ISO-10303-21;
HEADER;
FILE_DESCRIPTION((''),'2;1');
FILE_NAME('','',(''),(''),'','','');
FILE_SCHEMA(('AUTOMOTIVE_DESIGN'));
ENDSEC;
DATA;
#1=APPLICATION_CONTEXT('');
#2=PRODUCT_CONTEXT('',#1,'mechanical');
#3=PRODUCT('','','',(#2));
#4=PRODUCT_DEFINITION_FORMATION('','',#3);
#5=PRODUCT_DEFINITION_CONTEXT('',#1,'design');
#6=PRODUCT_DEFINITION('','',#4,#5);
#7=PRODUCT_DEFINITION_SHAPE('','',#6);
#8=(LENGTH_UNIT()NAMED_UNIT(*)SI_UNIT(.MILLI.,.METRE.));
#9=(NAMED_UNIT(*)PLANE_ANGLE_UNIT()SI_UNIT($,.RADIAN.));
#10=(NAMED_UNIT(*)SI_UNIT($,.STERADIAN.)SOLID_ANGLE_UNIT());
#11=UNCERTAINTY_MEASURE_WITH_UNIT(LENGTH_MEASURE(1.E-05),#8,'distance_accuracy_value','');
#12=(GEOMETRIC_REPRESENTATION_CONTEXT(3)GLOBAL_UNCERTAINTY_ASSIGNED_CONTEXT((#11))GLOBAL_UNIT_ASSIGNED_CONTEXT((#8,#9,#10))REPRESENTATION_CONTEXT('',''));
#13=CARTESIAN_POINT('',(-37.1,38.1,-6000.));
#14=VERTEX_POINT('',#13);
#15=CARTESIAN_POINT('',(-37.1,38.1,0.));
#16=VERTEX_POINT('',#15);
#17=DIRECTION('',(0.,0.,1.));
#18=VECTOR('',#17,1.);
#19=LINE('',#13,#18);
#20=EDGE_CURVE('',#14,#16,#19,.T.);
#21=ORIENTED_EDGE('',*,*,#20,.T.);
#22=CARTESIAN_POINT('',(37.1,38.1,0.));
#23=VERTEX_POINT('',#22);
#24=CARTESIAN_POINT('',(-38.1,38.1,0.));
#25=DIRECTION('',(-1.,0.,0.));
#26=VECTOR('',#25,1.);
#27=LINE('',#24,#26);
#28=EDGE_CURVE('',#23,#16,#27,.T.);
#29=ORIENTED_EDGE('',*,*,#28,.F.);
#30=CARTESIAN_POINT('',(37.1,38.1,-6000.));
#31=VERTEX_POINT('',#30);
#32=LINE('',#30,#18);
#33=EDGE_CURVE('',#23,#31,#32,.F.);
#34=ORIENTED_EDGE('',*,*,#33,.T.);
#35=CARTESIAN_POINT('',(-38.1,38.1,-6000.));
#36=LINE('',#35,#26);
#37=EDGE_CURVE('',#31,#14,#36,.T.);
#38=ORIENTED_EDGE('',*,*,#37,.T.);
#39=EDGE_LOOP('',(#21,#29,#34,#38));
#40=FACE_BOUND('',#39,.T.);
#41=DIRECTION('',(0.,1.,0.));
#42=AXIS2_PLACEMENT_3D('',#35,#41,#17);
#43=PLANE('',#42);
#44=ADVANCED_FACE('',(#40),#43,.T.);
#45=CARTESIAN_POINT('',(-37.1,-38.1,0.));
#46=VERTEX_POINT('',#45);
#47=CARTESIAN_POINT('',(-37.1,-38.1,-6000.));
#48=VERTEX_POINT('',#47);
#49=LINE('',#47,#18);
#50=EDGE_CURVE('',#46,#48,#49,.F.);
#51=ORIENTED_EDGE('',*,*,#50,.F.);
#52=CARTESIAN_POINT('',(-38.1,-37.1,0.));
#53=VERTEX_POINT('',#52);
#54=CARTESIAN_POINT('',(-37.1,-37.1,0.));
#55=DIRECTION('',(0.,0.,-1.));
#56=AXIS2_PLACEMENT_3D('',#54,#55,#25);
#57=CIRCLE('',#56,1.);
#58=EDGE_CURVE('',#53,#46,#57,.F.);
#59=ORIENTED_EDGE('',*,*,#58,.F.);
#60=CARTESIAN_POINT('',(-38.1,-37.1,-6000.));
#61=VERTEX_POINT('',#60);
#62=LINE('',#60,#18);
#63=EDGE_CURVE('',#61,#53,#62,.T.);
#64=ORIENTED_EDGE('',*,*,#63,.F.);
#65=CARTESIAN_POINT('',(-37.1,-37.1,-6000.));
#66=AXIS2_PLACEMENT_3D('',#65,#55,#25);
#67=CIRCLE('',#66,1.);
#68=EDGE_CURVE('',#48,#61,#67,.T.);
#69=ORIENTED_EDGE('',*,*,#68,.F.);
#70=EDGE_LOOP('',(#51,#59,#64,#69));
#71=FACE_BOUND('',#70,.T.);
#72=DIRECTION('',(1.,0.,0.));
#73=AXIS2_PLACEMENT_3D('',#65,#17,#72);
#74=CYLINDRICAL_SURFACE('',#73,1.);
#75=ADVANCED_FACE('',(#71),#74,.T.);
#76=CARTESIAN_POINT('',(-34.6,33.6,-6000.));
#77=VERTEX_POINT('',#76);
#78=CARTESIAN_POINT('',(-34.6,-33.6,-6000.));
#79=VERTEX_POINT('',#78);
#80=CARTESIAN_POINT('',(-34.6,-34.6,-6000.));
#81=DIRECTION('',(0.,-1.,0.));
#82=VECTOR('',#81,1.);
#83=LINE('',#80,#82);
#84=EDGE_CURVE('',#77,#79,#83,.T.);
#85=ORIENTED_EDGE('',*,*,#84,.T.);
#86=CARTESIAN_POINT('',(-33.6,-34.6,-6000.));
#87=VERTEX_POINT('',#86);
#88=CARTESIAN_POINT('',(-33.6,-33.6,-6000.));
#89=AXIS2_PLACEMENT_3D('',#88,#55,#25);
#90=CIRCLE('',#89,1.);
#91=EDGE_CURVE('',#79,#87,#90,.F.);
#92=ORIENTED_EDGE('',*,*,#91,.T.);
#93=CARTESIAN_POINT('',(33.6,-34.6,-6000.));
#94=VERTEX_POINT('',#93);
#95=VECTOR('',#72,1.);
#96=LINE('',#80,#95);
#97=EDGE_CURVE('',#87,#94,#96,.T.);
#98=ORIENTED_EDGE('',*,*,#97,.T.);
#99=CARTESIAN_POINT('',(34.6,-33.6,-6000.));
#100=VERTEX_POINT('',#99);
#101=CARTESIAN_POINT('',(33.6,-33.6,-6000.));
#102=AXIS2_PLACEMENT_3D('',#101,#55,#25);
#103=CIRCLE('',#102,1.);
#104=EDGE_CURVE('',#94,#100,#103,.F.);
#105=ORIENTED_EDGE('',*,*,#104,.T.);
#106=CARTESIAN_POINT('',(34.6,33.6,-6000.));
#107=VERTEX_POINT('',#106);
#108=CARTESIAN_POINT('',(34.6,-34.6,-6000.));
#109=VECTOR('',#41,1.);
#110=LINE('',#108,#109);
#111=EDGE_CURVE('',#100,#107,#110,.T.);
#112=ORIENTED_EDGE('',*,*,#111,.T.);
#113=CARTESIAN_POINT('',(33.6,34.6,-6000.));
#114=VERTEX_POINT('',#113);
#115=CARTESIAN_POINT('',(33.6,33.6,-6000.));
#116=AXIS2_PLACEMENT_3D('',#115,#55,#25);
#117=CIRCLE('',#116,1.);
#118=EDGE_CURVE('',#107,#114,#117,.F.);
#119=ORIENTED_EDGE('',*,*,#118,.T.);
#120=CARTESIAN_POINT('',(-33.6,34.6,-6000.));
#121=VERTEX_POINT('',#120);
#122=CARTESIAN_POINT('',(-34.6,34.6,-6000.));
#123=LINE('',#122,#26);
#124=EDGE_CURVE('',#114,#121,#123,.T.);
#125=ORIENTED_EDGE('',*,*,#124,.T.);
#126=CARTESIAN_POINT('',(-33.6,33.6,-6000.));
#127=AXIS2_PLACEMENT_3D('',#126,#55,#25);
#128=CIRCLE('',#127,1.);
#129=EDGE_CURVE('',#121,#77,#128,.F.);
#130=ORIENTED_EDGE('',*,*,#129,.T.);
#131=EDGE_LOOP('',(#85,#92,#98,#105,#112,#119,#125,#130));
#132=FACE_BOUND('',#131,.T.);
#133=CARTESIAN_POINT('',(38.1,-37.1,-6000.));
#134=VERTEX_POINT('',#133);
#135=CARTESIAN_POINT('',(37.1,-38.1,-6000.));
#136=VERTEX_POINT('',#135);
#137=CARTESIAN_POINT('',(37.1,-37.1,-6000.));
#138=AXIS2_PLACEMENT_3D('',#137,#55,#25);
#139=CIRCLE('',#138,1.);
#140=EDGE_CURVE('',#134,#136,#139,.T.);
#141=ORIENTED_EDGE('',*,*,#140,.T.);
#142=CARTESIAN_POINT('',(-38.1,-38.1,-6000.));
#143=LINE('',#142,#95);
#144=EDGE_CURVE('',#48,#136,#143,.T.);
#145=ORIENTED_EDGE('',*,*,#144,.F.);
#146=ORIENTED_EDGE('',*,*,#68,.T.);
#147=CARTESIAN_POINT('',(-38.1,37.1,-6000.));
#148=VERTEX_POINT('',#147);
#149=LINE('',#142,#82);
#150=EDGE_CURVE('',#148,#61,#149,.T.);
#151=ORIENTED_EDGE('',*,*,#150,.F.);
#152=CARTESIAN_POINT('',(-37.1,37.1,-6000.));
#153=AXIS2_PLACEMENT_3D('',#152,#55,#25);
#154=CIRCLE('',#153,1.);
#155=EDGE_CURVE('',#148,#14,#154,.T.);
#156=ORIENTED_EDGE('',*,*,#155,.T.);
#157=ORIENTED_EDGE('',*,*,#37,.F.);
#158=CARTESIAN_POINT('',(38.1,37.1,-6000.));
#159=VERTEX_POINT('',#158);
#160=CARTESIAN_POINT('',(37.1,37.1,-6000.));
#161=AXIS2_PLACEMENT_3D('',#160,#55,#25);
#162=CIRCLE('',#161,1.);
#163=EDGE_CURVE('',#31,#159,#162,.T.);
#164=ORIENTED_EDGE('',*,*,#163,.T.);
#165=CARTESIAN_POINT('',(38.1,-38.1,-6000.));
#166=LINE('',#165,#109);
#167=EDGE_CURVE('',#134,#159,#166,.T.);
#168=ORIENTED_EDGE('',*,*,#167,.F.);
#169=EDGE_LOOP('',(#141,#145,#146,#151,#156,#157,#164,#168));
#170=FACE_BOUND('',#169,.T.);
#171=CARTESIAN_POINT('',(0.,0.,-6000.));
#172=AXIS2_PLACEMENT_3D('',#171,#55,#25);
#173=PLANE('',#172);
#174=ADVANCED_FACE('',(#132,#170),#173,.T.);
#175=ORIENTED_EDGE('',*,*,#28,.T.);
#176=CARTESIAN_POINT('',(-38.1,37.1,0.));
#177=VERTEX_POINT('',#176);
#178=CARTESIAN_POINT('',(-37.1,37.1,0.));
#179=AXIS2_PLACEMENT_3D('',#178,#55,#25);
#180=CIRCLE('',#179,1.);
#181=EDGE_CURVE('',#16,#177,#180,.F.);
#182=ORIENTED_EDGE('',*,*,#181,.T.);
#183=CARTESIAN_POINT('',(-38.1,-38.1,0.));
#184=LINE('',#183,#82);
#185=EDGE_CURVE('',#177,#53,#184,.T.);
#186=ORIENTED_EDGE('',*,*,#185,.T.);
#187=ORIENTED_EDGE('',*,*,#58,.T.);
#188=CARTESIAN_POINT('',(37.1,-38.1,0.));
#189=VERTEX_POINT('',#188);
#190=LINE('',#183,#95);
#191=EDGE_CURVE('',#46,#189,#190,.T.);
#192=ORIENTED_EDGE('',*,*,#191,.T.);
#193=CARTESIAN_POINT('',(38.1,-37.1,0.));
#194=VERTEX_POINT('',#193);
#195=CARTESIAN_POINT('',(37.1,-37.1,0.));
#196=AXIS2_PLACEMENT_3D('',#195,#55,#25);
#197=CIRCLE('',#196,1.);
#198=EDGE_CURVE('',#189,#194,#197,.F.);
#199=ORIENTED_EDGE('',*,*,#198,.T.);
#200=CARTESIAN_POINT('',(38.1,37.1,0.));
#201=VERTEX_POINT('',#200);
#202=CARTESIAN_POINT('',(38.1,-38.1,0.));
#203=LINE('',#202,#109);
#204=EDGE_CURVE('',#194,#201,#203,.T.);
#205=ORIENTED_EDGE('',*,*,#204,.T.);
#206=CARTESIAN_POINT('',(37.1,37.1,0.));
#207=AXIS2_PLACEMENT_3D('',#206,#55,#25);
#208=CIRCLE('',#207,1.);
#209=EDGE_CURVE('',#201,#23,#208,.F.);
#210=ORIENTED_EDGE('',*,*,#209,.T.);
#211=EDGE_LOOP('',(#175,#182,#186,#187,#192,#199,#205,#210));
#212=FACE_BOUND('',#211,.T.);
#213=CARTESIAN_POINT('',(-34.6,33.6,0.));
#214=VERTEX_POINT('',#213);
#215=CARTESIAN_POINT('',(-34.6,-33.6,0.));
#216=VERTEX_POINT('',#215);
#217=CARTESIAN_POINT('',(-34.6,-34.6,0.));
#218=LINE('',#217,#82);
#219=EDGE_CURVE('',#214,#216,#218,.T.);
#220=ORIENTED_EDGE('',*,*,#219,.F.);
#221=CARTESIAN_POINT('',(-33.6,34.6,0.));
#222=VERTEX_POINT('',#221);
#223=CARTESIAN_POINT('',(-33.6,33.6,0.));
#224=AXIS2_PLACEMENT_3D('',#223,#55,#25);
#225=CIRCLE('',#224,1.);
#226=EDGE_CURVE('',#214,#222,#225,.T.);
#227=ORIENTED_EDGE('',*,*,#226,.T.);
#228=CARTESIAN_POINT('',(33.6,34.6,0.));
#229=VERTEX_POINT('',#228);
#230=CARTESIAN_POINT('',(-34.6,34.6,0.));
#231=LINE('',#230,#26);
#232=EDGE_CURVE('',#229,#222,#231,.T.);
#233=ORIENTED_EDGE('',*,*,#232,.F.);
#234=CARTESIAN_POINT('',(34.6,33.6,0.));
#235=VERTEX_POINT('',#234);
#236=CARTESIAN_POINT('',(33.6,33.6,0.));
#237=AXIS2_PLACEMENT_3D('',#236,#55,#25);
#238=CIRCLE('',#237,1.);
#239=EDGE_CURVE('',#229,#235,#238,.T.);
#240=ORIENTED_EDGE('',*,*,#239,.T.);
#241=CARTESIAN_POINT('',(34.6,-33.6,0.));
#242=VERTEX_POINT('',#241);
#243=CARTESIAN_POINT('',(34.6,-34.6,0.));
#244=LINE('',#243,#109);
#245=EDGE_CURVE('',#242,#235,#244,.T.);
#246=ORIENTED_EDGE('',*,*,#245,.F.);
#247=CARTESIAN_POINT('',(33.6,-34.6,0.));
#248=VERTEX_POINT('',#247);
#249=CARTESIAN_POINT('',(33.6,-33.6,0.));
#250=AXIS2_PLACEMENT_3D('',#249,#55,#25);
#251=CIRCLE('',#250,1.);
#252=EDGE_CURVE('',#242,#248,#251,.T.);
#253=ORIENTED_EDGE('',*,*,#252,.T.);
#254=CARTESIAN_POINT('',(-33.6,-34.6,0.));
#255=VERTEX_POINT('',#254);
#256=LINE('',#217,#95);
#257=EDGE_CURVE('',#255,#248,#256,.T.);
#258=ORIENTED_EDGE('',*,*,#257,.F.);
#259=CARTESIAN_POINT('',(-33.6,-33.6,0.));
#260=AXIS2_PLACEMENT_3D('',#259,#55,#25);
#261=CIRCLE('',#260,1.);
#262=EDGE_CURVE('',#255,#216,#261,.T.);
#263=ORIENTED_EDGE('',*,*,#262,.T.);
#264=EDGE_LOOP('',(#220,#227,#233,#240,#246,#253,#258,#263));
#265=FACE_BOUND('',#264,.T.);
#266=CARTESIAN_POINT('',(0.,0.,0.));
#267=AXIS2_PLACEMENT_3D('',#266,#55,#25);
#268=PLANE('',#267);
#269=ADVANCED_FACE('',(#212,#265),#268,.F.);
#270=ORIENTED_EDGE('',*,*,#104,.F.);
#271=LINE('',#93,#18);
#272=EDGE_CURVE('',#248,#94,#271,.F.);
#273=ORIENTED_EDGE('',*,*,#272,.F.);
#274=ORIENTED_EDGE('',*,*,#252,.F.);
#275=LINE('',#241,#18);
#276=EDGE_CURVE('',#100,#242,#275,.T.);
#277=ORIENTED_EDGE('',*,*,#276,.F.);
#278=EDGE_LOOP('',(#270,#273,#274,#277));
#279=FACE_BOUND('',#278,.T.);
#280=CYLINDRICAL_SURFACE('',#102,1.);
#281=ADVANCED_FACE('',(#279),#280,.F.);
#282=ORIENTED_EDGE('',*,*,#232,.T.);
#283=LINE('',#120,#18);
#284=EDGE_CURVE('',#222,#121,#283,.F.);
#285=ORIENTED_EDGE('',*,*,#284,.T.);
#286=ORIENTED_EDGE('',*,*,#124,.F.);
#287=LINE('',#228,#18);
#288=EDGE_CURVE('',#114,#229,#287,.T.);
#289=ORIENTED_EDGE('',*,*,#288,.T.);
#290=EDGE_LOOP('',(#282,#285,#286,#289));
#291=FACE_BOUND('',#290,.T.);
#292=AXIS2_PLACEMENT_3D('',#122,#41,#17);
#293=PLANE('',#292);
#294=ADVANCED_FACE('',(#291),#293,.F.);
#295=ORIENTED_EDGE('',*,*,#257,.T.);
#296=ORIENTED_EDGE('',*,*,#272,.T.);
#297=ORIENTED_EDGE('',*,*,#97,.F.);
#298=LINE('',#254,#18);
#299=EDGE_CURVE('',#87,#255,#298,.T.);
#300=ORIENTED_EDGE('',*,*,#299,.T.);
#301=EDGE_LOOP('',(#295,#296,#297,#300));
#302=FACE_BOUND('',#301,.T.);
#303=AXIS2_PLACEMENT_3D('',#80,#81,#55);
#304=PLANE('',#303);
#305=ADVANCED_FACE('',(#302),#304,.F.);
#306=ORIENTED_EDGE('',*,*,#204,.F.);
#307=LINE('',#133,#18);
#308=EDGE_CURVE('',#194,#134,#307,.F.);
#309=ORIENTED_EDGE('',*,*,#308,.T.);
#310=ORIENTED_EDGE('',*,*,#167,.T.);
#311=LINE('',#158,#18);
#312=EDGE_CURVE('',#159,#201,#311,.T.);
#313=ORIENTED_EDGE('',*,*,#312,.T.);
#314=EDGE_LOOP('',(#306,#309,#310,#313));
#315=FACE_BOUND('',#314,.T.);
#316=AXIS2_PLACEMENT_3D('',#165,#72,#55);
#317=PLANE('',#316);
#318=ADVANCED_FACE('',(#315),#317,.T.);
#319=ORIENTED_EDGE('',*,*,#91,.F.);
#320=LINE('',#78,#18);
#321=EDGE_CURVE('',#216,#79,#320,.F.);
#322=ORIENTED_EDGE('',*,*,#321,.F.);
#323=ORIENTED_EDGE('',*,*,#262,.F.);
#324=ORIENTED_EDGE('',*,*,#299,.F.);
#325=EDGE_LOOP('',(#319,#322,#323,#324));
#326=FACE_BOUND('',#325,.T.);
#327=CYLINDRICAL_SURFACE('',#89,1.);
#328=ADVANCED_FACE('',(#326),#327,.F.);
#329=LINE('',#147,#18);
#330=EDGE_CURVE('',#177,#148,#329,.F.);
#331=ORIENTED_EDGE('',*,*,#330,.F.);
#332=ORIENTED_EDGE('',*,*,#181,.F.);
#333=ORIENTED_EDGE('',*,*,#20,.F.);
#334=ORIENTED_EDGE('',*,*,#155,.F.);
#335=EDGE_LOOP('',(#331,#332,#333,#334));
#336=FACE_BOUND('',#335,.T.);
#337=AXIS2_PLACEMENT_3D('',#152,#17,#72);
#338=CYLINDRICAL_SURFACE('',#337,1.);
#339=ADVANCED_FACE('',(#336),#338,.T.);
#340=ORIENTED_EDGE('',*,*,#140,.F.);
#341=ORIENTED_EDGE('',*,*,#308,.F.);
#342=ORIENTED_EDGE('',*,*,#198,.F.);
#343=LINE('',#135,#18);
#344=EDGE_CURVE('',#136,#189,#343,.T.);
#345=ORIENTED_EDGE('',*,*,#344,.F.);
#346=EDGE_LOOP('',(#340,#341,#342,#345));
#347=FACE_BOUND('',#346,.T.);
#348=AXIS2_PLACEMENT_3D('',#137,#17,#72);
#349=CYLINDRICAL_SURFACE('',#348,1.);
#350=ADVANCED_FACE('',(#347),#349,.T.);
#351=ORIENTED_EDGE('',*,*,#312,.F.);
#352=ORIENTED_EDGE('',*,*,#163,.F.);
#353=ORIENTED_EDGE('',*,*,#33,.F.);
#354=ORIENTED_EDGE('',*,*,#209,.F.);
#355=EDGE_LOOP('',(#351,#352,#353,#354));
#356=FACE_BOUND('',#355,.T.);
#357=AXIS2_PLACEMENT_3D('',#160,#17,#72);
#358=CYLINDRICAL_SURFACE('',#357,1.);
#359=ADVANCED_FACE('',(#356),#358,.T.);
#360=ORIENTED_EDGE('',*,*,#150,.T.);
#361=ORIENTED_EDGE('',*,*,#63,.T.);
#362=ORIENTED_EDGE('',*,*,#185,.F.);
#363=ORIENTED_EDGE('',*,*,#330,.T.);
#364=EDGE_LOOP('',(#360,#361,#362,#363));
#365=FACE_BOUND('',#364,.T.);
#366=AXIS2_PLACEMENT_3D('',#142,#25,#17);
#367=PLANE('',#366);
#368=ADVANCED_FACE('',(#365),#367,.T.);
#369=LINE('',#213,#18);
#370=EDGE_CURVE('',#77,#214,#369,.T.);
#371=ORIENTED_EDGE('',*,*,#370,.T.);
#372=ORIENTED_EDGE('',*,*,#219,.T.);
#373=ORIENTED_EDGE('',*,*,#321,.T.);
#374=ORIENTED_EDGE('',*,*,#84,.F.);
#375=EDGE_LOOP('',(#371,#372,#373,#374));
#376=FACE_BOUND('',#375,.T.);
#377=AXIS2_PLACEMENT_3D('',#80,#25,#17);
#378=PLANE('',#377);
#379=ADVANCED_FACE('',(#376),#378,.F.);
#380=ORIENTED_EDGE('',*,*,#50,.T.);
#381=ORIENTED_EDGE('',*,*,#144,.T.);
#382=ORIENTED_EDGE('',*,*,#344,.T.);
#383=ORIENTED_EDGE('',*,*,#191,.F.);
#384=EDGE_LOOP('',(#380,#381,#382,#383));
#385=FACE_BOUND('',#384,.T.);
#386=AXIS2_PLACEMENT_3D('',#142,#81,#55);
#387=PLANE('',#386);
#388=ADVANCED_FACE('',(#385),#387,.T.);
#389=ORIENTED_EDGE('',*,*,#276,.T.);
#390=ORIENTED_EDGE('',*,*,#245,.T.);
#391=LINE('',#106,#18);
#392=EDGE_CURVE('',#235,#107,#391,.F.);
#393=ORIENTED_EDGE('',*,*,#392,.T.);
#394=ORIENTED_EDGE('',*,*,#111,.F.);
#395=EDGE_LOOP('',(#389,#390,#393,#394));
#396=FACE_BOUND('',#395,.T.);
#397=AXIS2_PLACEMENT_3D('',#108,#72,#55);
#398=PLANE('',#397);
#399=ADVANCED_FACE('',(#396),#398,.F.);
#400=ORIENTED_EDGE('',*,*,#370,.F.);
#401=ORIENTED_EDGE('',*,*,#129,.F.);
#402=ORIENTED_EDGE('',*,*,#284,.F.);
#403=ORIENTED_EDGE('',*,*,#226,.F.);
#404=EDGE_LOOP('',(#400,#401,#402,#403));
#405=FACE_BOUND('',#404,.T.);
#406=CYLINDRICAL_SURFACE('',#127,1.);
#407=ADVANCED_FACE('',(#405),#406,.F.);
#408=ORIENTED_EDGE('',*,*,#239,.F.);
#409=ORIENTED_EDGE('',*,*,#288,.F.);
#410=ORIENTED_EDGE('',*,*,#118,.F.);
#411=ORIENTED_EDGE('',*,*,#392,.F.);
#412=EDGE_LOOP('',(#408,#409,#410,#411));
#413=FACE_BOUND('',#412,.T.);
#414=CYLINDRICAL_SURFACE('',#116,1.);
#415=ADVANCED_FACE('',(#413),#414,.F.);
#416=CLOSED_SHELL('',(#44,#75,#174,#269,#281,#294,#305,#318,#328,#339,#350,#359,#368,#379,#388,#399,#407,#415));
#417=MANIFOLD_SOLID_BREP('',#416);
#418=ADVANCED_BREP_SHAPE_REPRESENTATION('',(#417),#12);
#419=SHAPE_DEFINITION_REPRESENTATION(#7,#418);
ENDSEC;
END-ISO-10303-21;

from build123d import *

# Parameters (mm, degrees)
CROQUIS1_W              = 76.2
CROQUIS1_H              = 76.2
CROQUIS1_W_2            = 69.2
CROQUIS1_H_2            = 69.2
SALIENTE_EXTRUIR1_DEPTH = 6000
REDONDEO1_R             = 1


with BuildPart() as part:
    # Croquis1 → Saliente-Extruir1 (new body)
    with BuildSketch(Plane.XY):
        Rectangle(CROQUIS1_W, CROQUIS1_H)
        Rectangle(CROQUIS1_W_2, CROQUIS1_H_2, mode=Mode.SUBTRACT)
    extrude(amount=-SALIENTE_EXTRUIR1_DEPTH)

    # Redondeo1
    redondeo1_edges = [part.edges().sort_by_distance(p)[0] for p in [
        (34.6, -34.6, -3000),
        (-34.6, -34.6, -3000),
        (-34.6, 34.6, -3000),
        (34.6, 34.6, -3000),
        (38.1, -38.1, -3000),
        (-38.1, -38.1, -3000),
        (-38.1, 38.1, -3000),
        (38.1, 38.1, -3000),
    ]]
    fillet(redondeo1_edges, radius=REDONDEO1_R)


solid = part.part
